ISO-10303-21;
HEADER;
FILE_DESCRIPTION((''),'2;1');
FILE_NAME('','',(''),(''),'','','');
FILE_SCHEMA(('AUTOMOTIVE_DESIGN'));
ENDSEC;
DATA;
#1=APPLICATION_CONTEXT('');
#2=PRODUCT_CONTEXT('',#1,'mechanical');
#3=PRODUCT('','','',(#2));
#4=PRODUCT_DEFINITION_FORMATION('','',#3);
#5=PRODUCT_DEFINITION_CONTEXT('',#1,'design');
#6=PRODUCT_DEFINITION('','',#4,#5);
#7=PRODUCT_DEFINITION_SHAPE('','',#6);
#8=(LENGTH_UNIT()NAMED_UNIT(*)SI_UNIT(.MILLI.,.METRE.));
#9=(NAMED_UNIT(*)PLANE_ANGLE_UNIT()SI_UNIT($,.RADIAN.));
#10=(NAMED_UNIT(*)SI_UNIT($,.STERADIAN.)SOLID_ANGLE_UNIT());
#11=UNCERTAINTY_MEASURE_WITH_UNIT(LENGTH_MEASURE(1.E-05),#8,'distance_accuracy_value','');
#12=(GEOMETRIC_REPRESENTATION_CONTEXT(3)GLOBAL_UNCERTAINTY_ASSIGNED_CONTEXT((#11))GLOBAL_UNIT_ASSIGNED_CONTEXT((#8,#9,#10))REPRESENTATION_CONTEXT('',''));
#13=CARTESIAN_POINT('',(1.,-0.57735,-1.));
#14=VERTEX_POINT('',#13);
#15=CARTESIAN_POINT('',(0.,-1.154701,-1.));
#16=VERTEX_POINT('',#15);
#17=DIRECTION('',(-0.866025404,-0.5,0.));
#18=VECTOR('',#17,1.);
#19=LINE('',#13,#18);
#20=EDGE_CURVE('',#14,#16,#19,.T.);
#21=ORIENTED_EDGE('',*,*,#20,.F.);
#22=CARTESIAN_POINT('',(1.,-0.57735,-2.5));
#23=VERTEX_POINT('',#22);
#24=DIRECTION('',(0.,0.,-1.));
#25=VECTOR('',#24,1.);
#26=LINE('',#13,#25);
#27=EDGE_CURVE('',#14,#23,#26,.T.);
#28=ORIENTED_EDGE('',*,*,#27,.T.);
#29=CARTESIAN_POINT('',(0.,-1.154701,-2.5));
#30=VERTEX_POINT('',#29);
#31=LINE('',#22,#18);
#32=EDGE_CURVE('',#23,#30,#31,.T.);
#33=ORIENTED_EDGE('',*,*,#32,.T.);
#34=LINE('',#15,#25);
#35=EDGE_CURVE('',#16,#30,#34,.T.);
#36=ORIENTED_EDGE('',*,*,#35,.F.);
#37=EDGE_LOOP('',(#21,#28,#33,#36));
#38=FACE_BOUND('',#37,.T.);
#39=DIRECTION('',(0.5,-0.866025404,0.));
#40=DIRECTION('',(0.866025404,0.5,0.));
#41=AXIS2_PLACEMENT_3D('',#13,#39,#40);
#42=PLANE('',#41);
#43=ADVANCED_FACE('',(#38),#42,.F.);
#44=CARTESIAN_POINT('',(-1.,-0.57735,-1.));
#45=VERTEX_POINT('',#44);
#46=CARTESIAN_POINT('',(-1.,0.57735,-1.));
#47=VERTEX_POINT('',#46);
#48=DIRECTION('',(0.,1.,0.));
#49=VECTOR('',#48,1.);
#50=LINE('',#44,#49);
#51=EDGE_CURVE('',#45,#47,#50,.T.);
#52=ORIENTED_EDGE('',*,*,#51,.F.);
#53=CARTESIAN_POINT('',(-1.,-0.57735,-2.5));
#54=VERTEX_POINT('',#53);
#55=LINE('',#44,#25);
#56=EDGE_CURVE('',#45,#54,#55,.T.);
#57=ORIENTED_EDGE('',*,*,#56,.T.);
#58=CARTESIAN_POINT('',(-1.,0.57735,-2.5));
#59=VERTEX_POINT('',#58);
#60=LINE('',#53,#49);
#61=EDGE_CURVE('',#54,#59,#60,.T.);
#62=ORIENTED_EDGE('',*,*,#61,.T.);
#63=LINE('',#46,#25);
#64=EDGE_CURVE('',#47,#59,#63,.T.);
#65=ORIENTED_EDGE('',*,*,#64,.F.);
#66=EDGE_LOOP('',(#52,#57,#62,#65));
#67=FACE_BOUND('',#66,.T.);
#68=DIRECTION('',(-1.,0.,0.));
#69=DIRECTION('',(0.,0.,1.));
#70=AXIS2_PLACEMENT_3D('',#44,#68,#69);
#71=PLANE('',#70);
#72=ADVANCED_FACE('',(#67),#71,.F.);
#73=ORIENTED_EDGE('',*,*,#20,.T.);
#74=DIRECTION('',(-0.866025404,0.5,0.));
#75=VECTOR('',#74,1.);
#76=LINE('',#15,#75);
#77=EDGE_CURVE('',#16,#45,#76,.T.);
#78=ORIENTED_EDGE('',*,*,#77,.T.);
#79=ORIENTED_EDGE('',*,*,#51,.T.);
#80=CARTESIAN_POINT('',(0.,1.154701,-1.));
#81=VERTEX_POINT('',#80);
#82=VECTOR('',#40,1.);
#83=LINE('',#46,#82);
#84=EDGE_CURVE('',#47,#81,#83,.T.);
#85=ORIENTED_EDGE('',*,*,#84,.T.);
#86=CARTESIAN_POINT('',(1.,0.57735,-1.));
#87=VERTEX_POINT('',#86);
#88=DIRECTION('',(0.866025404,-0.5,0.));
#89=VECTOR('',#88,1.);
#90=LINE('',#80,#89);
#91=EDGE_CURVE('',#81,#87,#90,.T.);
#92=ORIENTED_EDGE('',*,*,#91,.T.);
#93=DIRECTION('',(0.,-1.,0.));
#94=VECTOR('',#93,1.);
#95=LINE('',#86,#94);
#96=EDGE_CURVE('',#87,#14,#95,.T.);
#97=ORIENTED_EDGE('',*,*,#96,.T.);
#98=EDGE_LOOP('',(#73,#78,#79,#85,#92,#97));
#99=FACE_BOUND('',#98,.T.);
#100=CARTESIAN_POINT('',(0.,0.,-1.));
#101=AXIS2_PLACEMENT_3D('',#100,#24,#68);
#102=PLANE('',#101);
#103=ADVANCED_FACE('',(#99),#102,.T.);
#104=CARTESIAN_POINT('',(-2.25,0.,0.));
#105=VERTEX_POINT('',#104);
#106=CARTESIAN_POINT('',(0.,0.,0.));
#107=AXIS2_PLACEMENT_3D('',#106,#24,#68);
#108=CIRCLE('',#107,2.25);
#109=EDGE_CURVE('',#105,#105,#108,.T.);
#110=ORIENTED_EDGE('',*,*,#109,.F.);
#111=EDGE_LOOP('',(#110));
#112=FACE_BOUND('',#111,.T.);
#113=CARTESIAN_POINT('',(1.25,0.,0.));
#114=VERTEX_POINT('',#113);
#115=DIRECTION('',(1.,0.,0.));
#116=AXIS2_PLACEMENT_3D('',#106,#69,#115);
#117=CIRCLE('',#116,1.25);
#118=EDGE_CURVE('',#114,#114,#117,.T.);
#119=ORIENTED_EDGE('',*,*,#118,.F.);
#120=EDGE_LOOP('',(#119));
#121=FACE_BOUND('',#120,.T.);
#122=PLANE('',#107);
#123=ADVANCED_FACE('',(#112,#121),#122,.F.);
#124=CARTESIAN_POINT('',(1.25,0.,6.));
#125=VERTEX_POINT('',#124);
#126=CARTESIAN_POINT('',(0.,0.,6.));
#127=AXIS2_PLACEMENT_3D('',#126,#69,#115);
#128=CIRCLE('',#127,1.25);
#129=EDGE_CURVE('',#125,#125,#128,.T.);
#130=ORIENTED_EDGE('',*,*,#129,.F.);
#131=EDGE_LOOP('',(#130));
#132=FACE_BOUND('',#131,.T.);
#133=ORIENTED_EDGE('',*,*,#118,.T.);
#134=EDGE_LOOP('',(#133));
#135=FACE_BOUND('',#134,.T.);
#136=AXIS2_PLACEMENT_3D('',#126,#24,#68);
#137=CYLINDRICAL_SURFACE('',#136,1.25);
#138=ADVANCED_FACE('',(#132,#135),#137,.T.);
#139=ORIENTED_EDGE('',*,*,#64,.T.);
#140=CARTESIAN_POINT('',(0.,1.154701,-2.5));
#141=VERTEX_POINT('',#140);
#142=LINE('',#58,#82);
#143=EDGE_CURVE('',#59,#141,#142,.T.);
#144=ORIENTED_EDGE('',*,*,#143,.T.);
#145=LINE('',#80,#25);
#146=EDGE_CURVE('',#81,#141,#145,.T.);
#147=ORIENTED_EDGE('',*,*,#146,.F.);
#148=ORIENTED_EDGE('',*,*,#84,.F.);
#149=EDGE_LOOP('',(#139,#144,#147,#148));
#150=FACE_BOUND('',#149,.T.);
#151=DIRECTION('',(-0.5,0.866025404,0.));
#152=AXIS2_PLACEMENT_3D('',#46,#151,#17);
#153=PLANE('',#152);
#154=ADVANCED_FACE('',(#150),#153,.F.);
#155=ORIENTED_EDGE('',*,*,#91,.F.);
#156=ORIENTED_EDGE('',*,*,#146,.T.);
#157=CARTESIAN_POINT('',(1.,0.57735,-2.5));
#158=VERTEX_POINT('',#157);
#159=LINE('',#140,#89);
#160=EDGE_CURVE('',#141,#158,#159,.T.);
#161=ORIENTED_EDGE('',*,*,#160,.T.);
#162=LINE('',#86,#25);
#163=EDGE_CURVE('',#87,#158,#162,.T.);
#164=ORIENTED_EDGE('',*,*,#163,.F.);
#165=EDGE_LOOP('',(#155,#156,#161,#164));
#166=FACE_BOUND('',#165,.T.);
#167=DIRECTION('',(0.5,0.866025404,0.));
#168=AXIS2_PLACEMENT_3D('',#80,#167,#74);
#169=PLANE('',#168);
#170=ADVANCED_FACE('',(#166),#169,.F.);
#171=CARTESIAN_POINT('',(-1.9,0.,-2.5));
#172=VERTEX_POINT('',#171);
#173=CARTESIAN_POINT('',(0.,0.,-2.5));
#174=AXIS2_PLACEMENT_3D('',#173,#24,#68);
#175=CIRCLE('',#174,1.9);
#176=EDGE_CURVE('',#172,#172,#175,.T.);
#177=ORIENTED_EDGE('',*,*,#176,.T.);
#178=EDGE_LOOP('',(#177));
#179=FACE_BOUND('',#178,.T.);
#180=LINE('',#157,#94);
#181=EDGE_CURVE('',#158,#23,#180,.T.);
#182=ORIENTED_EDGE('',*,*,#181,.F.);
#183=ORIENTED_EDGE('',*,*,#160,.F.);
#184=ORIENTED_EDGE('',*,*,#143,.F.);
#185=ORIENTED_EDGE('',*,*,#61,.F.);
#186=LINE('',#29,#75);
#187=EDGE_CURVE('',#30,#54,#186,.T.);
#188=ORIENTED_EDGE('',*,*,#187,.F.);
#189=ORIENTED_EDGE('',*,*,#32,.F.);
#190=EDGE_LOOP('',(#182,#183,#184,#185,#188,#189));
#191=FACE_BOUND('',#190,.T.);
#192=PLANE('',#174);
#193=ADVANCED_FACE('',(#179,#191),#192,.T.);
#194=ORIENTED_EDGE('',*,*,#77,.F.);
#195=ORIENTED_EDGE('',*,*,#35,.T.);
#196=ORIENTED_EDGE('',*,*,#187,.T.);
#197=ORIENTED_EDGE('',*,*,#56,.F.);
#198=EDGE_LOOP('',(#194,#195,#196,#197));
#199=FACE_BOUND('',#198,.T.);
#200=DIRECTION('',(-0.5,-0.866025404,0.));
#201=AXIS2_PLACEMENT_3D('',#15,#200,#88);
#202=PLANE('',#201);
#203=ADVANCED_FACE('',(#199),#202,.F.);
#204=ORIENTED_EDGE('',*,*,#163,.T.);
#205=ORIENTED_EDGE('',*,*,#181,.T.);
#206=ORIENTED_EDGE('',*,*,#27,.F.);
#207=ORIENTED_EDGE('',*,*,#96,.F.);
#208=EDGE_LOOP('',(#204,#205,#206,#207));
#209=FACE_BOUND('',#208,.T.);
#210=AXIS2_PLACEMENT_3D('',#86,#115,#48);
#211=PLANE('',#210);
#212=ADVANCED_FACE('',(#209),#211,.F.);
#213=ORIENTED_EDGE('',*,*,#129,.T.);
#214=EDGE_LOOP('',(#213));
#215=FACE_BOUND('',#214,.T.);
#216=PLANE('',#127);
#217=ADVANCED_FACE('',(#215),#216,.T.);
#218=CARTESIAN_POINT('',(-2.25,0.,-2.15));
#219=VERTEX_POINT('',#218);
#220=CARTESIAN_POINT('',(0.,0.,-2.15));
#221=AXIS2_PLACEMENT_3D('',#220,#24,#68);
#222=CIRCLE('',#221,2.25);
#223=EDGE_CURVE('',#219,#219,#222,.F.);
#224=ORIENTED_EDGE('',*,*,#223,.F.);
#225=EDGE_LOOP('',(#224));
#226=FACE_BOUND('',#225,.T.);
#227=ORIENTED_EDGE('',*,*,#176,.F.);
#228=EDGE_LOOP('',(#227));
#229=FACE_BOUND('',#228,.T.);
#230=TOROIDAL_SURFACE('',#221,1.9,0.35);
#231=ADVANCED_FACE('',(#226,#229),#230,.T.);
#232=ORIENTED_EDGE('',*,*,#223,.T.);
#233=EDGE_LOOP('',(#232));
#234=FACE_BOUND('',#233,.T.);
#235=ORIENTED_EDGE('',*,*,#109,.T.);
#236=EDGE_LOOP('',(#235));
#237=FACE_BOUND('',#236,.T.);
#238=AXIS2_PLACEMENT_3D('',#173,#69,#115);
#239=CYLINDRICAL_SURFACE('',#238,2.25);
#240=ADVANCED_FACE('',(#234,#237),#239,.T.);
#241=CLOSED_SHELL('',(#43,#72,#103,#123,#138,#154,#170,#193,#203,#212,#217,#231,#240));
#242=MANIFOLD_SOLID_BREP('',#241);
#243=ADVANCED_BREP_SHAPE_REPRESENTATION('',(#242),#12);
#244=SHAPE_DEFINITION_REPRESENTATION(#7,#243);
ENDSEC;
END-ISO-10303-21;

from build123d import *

# Parameters (mm, degrees)
CROQUIS1_R              = 1.25
SALIENTE_EXTRUIR1_DEPTH = 6
CROQUIS2_R              = 2.25
SALIENTE_EXTRUIR2_DEPTH = 2.5
CORTAR_EXTRUIR1_DEPTH   = 1.5
REDONDEO1_R             = 0.35


with BuildPart() as part:
    # Croquis1 → Saliente-Extruir1 (new body)
    with BuildSketch(Plane.XY):
        Circle(CROQUIS1_R)
    extrude(amount=SALIENTE_EXTRUIR1_DEPTH)

    # Croquis2 → Saliente-Extruir2 (add)
    with BuildSketch(Plane(origin=(0, 0, 0), x_dir=(-1, 0, 0), z_dir=(0, 0, -1))):
        Circle(CROQUIS2_R)
    extrude(amount=SALIENTE_EXTRUIR2_DEPTH)

    # Croquis3 → Cortar-Extruir1 (cut)
    with BuildSketch(Plane(origin=(0, 0, -2.5), x_dir=(-1, 0, 0), z_dir=(0, 0, -1))):
        Polygon((0, -1.154700538), (1, -0.577350269), (1, 0.577350269), (0, 1.154700538), (-1, 0.577350269), (-1, -0.577350269), align=None)
    extrude(amount=-CORTAR_EXTRUIR1_DEPTH, mode=Mode.SUBTRACT)

    # Redondeo1
    redondeo1_edges = [part.edges().sort_by_distance(p)[0] for p in [
        (2.25, 0, -2.5),
    ]]
    fillet(redondeo1_edges, radius=REDONDEO1_R)


solid = part.part
